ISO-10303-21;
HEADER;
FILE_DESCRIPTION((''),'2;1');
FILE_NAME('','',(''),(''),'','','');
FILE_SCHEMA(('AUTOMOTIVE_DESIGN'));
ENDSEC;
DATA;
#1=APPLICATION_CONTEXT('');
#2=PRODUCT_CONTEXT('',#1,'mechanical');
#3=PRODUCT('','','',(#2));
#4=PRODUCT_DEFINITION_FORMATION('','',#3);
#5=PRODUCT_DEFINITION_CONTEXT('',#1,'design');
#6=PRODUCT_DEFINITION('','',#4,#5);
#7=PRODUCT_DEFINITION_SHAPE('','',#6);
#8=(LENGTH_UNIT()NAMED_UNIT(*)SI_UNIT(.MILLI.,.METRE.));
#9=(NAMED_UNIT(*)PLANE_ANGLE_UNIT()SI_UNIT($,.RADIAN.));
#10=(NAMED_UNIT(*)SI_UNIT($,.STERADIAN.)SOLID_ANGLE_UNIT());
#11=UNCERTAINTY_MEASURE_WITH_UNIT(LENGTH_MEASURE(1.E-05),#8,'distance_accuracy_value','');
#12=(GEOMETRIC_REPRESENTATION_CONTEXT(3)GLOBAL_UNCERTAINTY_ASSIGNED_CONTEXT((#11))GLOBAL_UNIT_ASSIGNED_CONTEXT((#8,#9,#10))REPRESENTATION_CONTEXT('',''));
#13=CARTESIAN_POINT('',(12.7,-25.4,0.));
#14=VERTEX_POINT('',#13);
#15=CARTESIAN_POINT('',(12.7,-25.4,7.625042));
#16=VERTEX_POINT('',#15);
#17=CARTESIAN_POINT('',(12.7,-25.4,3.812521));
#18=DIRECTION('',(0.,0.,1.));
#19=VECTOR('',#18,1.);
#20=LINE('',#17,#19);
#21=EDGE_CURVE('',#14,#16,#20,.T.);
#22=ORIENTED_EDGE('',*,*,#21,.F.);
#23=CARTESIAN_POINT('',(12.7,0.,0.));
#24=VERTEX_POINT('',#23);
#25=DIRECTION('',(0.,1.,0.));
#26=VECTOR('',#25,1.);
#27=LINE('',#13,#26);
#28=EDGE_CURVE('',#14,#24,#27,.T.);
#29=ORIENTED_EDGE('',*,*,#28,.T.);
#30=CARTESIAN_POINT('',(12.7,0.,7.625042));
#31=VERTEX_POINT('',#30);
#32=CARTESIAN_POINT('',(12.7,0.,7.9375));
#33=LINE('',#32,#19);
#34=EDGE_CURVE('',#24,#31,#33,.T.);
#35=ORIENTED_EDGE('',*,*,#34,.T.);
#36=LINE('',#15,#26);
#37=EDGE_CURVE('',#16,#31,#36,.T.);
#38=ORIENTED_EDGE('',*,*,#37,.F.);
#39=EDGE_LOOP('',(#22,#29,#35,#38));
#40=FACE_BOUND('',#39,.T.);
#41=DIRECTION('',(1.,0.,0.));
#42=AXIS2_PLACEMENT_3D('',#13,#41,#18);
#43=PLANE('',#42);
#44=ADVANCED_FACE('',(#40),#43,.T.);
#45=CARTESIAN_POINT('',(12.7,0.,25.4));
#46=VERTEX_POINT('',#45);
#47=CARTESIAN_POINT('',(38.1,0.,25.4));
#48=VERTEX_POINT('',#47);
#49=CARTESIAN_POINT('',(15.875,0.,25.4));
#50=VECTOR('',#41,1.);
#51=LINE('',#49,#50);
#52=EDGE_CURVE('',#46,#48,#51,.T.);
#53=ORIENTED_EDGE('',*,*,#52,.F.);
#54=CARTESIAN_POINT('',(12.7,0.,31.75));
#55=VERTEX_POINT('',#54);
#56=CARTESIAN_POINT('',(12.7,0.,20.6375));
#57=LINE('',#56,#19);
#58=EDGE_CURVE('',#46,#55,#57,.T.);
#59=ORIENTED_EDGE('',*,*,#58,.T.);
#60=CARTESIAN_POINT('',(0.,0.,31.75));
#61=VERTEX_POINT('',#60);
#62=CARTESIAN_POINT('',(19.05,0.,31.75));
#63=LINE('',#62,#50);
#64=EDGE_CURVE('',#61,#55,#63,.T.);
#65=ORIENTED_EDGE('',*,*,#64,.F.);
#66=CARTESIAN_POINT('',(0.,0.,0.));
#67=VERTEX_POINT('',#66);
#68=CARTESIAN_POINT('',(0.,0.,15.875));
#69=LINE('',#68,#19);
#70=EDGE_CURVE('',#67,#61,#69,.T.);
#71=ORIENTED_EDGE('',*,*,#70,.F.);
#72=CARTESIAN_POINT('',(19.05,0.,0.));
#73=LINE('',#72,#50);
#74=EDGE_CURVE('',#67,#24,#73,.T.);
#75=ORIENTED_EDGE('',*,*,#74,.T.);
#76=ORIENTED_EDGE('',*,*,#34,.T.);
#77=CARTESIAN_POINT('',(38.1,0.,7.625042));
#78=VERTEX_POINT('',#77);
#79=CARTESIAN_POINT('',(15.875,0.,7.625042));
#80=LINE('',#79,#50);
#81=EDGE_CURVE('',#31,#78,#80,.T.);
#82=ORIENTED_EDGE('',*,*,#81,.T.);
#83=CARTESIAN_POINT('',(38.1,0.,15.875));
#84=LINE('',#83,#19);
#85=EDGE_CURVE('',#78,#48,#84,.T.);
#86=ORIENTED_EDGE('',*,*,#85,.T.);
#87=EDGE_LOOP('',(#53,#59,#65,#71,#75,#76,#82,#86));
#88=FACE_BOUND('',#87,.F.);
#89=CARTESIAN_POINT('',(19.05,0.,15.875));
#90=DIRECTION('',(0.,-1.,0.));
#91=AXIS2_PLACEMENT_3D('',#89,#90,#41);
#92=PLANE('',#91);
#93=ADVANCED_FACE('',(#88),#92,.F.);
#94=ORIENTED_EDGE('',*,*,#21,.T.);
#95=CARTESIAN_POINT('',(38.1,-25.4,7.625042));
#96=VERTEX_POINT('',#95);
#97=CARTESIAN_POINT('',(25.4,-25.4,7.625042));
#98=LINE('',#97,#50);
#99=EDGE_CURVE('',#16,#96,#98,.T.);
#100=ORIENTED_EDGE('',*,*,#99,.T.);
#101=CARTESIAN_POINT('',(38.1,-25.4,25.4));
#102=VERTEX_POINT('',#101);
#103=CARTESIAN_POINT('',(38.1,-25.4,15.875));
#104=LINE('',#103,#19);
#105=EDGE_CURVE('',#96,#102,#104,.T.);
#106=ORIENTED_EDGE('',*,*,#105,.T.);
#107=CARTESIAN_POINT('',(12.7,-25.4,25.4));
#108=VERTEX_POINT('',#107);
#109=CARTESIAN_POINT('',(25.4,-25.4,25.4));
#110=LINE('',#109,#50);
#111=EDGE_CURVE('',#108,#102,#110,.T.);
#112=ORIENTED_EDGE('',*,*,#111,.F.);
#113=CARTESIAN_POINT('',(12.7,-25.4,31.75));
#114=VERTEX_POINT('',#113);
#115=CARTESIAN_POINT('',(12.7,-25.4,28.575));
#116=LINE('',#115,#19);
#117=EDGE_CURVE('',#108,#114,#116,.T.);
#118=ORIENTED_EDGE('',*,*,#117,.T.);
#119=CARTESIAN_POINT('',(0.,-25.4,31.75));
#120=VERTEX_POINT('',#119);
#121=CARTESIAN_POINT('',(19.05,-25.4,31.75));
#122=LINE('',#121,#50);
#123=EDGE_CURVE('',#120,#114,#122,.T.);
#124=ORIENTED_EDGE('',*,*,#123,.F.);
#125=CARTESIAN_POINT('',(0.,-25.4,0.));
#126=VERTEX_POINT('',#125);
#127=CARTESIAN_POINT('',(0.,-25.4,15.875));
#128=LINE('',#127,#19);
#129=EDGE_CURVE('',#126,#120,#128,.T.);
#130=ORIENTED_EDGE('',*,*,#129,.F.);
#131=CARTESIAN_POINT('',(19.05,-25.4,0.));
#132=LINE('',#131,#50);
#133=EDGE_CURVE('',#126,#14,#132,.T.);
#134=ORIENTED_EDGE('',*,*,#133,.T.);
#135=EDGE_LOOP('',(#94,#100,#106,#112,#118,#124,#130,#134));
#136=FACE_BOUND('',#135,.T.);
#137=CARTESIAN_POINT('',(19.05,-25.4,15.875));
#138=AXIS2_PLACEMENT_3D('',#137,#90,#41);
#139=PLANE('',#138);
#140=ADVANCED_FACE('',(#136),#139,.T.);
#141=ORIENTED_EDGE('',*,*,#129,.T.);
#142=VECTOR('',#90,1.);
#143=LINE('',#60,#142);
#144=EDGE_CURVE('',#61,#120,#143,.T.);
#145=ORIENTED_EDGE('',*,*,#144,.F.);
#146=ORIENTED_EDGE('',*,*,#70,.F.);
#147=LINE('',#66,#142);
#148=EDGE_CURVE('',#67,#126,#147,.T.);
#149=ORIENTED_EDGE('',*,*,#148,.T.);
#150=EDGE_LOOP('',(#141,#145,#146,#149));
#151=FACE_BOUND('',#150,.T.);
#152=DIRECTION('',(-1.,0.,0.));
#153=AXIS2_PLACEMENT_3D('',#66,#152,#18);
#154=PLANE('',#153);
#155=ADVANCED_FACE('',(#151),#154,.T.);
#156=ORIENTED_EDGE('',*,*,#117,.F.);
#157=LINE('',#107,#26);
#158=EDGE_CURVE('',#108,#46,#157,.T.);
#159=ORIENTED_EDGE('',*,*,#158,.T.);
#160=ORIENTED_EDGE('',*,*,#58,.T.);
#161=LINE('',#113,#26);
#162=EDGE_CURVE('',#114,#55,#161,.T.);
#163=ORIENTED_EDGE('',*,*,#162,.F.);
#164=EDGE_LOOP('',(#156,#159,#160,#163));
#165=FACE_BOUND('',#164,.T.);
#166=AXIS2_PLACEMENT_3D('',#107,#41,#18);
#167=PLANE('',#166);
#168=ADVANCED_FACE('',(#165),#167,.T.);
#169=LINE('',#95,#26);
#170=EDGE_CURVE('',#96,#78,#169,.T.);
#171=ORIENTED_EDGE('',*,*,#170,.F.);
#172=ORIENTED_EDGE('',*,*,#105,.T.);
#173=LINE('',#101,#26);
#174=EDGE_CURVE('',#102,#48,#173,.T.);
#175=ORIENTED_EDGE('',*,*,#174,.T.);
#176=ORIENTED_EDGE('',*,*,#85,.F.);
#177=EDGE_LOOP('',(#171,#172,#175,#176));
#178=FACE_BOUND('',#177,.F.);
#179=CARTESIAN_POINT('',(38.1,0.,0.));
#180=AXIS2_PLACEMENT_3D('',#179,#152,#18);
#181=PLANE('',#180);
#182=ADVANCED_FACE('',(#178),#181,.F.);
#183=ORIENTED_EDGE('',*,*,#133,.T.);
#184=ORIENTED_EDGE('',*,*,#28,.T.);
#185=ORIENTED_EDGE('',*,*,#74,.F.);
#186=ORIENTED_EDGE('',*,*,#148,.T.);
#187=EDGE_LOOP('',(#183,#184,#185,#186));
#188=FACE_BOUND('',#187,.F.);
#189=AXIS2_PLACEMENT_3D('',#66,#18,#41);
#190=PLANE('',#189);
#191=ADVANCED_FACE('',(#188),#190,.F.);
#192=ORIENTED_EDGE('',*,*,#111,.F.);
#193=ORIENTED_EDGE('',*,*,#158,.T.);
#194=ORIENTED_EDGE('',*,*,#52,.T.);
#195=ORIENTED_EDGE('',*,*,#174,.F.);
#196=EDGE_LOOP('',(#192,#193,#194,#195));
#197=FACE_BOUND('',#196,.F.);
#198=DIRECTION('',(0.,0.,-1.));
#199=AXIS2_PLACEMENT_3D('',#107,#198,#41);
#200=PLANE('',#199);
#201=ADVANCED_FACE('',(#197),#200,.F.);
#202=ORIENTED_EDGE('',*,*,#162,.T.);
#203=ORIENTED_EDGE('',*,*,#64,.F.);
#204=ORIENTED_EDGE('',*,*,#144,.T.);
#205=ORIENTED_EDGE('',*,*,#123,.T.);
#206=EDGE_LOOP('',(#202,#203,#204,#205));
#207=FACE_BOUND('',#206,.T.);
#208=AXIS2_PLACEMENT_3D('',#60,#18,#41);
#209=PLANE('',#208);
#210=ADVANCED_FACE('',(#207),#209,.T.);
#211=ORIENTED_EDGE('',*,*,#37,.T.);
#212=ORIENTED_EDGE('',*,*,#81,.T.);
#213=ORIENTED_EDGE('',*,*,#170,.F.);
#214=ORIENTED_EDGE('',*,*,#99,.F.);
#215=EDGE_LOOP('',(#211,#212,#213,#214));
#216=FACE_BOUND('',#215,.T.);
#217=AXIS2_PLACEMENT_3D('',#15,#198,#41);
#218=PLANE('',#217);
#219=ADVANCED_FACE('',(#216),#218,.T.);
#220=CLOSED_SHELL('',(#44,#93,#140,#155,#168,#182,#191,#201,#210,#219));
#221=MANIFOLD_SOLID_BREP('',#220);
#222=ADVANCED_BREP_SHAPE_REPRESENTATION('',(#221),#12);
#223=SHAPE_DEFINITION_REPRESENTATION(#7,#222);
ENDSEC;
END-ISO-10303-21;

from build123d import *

# Parameters (mm, degrees)
F0_W     = 38.1
F0_H     = 31.75
F1_DEPTH = 25.4
F2_W     = 25.4
F2_H     = 6.35
F2_H_2   = 7.625042
F3_DEPTH = 25.401


with BuildPart() as f1:
    # F0 (on Front) → F1 (new body)
    with BuildSketch(Plane.XZ):
        with Locations((19.05, 15.875)):
            Rectangle(F0_W, F0_H)
    extrude(amount=F1_DEPTH)

    # F2 (on face) → F3 (cut, through all)
    with BuildSketch(Plane.XZ.offset(25.4)):
        with Locations((25.4, 28.575)):
            Rectangle(F2_W, F2_H)
        with Locations((25.4, 3.812521)):
            Rectangle(F2_W, F2_H_2)
    extrude(amount=-F3_DEPTH, mode=Mode.SUBTRACT)


solid = f1.part
